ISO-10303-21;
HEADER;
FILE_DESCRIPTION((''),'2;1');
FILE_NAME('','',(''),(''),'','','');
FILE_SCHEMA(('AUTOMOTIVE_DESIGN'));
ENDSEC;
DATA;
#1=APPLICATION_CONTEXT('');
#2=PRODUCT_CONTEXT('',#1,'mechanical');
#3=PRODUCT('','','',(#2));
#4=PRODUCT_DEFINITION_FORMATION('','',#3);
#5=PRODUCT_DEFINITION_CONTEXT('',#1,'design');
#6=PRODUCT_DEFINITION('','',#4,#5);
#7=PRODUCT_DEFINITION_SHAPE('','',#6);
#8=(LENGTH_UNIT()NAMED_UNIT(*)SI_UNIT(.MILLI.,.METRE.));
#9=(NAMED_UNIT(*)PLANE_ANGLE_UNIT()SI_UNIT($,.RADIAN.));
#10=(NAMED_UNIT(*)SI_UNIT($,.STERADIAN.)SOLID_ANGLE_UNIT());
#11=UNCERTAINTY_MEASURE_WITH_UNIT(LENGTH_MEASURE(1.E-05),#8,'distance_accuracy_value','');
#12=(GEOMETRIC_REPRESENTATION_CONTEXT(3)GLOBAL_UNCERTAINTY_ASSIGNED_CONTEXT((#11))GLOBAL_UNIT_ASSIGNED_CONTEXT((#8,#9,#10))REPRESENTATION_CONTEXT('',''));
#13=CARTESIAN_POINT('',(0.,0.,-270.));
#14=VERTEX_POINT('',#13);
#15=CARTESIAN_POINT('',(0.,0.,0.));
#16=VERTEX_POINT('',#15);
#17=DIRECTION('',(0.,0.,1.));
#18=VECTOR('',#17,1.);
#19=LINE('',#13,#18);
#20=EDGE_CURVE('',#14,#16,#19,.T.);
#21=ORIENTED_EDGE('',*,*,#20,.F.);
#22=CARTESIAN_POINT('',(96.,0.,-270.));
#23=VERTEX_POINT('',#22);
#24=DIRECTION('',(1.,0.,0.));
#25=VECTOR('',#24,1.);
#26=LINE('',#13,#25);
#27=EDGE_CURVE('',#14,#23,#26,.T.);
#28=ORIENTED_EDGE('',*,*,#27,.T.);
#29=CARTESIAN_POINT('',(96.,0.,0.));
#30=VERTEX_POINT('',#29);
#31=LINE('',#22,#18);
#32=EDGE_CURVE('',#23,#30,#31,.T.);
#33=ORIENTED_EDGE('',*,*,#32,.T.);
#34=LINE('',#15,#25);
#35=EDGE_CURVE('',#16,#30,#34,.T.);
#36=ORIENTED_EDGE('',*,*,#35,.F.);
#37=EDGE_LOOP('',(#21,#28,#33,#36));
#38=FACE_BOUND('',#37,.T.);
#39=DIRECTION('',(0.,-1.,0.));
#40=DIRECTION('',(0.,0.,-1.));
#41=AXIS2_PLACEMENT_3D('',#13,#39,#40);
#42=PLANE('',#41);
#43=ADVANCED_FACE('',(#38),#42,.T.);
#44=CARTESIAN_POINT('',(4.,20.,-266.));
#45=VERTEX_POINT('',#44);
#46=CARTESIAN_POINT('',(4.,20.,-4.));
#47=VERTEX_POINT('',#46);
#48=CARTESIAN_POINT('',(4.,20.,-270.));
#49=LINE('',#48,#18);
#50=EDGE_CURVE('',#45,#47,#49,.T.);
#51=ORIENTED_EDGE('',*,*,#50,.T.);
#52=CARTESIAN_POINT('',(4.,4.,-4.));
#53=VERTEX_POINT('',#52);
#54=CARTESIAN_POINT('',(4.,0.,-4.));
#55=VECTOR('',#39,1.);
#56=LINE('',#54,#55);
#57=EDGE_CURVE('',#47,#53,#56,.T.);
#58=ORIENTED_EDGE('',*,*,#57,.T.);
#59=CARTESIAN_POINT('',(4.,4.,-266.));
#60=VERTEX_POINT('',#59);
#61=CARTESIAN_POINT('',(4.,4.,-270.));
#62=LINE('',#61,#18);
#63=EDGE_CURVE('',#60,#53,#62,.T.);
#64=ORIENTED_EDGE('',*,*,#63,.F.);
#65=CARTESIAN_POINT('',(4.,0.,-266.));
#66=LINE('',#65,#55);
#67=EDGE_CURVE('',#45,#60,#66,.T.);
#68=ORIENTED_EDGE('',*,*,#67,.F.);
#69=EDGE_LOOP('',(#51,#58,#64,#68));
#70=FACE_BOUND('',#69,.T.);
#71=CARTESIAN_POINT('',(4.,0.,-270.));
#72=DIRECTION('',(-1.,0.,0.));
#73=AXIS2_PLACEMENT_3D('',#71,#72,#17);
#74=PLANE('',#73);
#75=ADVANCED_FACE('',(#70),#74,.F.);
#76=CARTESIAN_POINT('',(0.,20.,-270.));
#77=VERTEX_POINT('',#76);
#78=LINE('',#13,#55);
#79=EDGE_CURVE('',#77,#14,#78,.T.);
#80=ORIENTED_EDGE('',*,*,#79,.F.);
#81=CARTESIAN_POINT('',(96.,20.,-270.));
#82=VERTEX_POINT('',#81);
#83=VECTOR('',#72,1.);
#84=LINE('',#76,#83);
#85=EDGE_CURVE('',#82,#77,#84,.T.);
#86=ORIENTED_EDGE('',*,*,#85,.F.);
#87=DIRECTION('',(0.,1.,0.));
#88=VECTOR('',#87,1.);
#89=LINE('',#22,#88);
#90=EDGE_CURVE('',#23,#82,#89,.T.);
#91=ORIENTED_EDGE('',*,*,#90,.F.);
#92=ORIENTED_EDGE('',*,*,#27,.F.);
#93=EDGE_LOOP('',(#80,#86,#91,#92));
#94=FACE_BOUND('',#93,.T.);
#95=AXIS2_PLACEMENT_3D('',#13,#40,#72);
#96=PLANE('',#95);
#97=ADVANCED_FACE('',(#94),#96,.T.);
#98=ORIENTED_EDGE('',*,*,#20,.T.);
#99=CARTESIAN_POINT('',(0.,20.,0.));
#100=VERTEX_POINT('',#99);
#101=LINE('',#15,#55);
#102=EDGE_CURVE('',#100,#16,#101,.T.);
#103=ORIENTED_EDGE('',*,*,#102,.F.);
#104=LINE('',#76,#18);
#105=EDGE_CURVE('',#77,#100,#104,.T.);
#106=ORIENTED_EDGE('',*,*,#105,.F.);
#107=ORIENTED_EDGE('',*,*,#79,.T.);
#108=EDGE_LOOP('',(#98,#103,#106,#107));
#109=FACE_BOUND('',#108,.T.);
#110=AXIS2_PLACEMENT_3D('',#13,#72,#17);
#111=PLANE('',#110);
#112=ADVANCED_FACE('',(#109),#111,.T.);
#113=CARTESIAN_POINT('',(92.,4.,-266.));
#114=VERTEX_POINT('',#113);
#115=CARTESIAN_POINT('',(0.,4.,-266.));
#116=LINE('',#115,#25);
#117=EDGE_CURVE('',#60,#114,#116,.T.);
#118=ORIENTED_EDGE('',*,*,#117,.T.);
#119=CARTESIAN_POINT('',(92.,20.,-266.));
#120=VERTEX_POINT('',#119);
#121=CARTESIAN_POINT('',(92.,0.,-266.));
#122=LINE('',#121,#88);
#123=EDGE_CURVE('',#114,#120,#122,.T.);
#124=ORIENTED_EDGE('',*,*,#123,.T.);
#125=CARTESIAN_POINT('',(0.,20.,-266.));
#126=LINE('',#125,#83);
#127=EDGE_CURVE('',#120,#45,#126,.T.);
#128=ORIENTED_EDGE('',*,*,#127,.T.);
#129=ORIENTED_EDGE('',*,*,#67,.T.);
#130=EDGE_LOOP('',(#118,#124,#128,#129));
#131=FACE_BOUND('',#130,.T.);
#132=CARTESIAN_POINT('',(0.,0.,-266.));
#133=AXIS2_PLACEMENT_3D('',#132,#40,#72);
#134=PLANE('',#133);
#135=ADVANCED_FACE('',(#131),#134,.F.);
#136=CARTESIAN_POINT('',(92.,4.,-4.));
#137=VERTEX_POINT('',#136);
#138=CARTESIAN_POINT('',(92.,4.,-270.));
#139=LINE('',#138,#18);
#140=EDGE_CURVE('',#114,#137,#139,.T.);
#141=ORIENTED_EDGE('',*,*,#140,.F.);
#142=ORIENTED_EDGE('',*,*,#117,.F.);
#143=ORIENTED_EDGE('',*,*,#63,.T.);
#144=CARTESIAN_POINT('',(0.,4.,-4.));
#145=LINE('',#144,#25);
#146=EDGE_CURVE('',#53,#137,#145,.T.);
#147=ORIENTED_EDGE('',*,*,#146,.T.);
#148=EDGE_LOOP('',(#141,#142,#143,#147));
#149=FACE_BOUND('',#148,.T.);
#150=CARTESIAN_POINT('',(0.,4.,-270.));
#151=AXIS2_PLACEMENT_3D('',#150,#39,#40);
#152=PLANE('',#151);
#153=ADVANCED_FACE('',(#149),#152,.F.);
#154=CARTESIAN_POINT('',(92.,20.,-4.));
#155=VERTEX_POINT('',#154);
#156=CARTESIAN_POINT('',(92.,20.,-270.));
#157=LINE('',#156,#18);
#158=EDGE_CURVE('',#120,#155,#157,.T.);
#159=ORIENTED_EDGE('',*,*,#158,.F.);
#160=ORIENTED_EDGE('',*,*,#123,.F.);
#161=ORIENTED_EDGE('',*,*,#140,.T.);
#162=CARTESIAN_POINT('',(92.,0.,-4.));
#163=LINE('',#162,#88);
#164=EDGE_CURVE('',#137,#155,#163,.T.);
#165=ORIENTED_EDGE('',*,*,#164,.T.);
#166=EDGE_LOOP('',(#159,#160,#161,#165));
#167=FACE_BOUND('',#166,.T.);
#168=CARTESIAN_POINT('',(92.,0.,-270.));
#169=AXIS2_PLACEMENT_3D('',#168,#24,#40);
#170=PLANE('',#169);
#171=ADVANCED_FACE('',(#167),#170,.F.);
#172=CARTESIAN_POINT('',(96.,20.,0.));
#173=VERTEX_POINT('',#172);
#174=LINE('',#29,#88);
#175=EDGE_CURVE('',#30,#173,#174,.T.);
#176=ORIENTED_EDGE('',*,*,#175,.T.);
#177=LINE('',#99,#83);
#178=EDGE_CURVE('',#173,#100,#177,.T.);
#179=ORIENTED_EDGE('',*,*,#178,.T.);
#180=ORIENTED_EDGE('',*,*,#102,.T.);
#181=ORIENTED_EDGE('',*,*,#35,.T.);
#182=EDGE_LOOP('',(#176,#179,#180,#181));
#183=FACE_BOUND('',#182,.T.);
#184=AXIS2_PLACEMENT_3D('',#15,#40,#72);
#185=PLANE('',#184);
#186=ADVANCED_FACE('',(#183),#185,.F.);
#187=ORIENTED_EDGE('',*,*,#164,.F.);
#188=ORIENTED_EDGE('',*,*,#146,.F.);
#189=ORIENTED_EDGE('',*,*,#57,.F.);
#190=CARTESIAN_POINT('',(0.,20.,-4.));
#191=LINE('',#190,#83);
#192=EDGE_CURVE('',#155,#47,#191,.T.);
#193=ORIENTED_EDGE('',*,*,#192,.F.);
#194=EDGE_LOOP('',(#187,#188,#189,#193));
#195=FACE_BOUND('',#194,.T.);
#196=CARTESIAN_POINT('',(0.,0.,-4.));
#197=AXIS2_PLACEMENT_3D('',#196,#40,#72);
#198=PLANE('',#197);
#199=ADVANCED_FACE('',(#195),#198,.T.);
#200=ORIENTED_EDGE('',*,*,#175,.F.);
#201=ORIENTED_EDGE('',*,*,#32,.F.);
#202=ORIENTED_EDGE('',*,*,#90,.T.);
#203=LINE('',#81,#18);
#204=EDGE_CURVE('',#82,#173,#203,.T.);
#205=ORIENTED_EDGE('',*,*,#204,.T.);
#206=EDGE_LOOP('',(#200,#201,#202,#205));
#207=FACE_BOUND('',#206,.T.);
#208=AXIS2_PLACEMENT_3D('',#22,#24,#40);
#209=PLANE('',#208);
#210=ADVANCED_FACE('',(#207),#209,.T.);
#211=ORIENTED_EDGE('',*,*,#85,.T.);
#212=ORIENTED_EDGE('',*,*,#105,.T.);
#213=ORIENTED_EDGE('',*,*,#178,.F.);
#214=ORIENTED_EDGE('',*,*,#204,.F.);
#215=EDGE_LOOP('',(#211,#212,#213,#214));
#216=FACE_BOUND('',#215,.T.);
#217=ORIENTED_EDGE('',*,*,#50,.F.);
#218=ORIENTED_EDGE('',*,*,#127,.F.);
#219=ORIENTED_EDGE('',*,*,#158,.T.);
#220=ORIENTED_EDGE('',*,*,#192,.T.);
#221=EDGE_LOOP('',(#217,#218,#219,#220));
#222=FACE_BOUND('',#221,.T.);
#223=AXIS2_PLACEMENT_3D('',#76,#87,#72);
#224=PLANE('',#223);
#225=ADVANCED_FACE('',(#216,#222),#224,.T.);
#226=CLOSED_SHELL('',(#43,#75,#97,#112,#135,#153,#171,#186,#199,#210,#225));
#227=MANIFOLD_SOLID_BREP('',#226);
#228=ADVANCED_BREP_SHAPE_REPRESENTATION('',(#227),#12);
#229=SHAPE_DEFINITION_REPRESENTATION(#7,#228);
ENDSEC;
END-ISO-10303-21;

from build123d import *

# Parameters (mm, degrees)
SKETCH3_W           = 96
SKETCH3_H           = 20
BOSS_EXTRUDE1_DEPTH = 270
SHELL1_T            = -4


with BuildPart() as part:
    # Sketch3 → Boss-Extrude1 (new body)
    with BuildSketch(Plane.XY):
        with Locations((48, 10)):
            Rectangle(SKETCH3_W, SKETCH3_H)
    extrude(amount=-BOSS_EXTRUDE1_DEPTH)

    # Shell1
    shell1_openings = [part.faces().sort_by_distance(p)[0] for p in [
        (48, 20, -135),
    ]]
    offset(amount=SHELL1_T, openings=shell1_openings, kind=Kind.INTERSECTION)


solid = part.part
